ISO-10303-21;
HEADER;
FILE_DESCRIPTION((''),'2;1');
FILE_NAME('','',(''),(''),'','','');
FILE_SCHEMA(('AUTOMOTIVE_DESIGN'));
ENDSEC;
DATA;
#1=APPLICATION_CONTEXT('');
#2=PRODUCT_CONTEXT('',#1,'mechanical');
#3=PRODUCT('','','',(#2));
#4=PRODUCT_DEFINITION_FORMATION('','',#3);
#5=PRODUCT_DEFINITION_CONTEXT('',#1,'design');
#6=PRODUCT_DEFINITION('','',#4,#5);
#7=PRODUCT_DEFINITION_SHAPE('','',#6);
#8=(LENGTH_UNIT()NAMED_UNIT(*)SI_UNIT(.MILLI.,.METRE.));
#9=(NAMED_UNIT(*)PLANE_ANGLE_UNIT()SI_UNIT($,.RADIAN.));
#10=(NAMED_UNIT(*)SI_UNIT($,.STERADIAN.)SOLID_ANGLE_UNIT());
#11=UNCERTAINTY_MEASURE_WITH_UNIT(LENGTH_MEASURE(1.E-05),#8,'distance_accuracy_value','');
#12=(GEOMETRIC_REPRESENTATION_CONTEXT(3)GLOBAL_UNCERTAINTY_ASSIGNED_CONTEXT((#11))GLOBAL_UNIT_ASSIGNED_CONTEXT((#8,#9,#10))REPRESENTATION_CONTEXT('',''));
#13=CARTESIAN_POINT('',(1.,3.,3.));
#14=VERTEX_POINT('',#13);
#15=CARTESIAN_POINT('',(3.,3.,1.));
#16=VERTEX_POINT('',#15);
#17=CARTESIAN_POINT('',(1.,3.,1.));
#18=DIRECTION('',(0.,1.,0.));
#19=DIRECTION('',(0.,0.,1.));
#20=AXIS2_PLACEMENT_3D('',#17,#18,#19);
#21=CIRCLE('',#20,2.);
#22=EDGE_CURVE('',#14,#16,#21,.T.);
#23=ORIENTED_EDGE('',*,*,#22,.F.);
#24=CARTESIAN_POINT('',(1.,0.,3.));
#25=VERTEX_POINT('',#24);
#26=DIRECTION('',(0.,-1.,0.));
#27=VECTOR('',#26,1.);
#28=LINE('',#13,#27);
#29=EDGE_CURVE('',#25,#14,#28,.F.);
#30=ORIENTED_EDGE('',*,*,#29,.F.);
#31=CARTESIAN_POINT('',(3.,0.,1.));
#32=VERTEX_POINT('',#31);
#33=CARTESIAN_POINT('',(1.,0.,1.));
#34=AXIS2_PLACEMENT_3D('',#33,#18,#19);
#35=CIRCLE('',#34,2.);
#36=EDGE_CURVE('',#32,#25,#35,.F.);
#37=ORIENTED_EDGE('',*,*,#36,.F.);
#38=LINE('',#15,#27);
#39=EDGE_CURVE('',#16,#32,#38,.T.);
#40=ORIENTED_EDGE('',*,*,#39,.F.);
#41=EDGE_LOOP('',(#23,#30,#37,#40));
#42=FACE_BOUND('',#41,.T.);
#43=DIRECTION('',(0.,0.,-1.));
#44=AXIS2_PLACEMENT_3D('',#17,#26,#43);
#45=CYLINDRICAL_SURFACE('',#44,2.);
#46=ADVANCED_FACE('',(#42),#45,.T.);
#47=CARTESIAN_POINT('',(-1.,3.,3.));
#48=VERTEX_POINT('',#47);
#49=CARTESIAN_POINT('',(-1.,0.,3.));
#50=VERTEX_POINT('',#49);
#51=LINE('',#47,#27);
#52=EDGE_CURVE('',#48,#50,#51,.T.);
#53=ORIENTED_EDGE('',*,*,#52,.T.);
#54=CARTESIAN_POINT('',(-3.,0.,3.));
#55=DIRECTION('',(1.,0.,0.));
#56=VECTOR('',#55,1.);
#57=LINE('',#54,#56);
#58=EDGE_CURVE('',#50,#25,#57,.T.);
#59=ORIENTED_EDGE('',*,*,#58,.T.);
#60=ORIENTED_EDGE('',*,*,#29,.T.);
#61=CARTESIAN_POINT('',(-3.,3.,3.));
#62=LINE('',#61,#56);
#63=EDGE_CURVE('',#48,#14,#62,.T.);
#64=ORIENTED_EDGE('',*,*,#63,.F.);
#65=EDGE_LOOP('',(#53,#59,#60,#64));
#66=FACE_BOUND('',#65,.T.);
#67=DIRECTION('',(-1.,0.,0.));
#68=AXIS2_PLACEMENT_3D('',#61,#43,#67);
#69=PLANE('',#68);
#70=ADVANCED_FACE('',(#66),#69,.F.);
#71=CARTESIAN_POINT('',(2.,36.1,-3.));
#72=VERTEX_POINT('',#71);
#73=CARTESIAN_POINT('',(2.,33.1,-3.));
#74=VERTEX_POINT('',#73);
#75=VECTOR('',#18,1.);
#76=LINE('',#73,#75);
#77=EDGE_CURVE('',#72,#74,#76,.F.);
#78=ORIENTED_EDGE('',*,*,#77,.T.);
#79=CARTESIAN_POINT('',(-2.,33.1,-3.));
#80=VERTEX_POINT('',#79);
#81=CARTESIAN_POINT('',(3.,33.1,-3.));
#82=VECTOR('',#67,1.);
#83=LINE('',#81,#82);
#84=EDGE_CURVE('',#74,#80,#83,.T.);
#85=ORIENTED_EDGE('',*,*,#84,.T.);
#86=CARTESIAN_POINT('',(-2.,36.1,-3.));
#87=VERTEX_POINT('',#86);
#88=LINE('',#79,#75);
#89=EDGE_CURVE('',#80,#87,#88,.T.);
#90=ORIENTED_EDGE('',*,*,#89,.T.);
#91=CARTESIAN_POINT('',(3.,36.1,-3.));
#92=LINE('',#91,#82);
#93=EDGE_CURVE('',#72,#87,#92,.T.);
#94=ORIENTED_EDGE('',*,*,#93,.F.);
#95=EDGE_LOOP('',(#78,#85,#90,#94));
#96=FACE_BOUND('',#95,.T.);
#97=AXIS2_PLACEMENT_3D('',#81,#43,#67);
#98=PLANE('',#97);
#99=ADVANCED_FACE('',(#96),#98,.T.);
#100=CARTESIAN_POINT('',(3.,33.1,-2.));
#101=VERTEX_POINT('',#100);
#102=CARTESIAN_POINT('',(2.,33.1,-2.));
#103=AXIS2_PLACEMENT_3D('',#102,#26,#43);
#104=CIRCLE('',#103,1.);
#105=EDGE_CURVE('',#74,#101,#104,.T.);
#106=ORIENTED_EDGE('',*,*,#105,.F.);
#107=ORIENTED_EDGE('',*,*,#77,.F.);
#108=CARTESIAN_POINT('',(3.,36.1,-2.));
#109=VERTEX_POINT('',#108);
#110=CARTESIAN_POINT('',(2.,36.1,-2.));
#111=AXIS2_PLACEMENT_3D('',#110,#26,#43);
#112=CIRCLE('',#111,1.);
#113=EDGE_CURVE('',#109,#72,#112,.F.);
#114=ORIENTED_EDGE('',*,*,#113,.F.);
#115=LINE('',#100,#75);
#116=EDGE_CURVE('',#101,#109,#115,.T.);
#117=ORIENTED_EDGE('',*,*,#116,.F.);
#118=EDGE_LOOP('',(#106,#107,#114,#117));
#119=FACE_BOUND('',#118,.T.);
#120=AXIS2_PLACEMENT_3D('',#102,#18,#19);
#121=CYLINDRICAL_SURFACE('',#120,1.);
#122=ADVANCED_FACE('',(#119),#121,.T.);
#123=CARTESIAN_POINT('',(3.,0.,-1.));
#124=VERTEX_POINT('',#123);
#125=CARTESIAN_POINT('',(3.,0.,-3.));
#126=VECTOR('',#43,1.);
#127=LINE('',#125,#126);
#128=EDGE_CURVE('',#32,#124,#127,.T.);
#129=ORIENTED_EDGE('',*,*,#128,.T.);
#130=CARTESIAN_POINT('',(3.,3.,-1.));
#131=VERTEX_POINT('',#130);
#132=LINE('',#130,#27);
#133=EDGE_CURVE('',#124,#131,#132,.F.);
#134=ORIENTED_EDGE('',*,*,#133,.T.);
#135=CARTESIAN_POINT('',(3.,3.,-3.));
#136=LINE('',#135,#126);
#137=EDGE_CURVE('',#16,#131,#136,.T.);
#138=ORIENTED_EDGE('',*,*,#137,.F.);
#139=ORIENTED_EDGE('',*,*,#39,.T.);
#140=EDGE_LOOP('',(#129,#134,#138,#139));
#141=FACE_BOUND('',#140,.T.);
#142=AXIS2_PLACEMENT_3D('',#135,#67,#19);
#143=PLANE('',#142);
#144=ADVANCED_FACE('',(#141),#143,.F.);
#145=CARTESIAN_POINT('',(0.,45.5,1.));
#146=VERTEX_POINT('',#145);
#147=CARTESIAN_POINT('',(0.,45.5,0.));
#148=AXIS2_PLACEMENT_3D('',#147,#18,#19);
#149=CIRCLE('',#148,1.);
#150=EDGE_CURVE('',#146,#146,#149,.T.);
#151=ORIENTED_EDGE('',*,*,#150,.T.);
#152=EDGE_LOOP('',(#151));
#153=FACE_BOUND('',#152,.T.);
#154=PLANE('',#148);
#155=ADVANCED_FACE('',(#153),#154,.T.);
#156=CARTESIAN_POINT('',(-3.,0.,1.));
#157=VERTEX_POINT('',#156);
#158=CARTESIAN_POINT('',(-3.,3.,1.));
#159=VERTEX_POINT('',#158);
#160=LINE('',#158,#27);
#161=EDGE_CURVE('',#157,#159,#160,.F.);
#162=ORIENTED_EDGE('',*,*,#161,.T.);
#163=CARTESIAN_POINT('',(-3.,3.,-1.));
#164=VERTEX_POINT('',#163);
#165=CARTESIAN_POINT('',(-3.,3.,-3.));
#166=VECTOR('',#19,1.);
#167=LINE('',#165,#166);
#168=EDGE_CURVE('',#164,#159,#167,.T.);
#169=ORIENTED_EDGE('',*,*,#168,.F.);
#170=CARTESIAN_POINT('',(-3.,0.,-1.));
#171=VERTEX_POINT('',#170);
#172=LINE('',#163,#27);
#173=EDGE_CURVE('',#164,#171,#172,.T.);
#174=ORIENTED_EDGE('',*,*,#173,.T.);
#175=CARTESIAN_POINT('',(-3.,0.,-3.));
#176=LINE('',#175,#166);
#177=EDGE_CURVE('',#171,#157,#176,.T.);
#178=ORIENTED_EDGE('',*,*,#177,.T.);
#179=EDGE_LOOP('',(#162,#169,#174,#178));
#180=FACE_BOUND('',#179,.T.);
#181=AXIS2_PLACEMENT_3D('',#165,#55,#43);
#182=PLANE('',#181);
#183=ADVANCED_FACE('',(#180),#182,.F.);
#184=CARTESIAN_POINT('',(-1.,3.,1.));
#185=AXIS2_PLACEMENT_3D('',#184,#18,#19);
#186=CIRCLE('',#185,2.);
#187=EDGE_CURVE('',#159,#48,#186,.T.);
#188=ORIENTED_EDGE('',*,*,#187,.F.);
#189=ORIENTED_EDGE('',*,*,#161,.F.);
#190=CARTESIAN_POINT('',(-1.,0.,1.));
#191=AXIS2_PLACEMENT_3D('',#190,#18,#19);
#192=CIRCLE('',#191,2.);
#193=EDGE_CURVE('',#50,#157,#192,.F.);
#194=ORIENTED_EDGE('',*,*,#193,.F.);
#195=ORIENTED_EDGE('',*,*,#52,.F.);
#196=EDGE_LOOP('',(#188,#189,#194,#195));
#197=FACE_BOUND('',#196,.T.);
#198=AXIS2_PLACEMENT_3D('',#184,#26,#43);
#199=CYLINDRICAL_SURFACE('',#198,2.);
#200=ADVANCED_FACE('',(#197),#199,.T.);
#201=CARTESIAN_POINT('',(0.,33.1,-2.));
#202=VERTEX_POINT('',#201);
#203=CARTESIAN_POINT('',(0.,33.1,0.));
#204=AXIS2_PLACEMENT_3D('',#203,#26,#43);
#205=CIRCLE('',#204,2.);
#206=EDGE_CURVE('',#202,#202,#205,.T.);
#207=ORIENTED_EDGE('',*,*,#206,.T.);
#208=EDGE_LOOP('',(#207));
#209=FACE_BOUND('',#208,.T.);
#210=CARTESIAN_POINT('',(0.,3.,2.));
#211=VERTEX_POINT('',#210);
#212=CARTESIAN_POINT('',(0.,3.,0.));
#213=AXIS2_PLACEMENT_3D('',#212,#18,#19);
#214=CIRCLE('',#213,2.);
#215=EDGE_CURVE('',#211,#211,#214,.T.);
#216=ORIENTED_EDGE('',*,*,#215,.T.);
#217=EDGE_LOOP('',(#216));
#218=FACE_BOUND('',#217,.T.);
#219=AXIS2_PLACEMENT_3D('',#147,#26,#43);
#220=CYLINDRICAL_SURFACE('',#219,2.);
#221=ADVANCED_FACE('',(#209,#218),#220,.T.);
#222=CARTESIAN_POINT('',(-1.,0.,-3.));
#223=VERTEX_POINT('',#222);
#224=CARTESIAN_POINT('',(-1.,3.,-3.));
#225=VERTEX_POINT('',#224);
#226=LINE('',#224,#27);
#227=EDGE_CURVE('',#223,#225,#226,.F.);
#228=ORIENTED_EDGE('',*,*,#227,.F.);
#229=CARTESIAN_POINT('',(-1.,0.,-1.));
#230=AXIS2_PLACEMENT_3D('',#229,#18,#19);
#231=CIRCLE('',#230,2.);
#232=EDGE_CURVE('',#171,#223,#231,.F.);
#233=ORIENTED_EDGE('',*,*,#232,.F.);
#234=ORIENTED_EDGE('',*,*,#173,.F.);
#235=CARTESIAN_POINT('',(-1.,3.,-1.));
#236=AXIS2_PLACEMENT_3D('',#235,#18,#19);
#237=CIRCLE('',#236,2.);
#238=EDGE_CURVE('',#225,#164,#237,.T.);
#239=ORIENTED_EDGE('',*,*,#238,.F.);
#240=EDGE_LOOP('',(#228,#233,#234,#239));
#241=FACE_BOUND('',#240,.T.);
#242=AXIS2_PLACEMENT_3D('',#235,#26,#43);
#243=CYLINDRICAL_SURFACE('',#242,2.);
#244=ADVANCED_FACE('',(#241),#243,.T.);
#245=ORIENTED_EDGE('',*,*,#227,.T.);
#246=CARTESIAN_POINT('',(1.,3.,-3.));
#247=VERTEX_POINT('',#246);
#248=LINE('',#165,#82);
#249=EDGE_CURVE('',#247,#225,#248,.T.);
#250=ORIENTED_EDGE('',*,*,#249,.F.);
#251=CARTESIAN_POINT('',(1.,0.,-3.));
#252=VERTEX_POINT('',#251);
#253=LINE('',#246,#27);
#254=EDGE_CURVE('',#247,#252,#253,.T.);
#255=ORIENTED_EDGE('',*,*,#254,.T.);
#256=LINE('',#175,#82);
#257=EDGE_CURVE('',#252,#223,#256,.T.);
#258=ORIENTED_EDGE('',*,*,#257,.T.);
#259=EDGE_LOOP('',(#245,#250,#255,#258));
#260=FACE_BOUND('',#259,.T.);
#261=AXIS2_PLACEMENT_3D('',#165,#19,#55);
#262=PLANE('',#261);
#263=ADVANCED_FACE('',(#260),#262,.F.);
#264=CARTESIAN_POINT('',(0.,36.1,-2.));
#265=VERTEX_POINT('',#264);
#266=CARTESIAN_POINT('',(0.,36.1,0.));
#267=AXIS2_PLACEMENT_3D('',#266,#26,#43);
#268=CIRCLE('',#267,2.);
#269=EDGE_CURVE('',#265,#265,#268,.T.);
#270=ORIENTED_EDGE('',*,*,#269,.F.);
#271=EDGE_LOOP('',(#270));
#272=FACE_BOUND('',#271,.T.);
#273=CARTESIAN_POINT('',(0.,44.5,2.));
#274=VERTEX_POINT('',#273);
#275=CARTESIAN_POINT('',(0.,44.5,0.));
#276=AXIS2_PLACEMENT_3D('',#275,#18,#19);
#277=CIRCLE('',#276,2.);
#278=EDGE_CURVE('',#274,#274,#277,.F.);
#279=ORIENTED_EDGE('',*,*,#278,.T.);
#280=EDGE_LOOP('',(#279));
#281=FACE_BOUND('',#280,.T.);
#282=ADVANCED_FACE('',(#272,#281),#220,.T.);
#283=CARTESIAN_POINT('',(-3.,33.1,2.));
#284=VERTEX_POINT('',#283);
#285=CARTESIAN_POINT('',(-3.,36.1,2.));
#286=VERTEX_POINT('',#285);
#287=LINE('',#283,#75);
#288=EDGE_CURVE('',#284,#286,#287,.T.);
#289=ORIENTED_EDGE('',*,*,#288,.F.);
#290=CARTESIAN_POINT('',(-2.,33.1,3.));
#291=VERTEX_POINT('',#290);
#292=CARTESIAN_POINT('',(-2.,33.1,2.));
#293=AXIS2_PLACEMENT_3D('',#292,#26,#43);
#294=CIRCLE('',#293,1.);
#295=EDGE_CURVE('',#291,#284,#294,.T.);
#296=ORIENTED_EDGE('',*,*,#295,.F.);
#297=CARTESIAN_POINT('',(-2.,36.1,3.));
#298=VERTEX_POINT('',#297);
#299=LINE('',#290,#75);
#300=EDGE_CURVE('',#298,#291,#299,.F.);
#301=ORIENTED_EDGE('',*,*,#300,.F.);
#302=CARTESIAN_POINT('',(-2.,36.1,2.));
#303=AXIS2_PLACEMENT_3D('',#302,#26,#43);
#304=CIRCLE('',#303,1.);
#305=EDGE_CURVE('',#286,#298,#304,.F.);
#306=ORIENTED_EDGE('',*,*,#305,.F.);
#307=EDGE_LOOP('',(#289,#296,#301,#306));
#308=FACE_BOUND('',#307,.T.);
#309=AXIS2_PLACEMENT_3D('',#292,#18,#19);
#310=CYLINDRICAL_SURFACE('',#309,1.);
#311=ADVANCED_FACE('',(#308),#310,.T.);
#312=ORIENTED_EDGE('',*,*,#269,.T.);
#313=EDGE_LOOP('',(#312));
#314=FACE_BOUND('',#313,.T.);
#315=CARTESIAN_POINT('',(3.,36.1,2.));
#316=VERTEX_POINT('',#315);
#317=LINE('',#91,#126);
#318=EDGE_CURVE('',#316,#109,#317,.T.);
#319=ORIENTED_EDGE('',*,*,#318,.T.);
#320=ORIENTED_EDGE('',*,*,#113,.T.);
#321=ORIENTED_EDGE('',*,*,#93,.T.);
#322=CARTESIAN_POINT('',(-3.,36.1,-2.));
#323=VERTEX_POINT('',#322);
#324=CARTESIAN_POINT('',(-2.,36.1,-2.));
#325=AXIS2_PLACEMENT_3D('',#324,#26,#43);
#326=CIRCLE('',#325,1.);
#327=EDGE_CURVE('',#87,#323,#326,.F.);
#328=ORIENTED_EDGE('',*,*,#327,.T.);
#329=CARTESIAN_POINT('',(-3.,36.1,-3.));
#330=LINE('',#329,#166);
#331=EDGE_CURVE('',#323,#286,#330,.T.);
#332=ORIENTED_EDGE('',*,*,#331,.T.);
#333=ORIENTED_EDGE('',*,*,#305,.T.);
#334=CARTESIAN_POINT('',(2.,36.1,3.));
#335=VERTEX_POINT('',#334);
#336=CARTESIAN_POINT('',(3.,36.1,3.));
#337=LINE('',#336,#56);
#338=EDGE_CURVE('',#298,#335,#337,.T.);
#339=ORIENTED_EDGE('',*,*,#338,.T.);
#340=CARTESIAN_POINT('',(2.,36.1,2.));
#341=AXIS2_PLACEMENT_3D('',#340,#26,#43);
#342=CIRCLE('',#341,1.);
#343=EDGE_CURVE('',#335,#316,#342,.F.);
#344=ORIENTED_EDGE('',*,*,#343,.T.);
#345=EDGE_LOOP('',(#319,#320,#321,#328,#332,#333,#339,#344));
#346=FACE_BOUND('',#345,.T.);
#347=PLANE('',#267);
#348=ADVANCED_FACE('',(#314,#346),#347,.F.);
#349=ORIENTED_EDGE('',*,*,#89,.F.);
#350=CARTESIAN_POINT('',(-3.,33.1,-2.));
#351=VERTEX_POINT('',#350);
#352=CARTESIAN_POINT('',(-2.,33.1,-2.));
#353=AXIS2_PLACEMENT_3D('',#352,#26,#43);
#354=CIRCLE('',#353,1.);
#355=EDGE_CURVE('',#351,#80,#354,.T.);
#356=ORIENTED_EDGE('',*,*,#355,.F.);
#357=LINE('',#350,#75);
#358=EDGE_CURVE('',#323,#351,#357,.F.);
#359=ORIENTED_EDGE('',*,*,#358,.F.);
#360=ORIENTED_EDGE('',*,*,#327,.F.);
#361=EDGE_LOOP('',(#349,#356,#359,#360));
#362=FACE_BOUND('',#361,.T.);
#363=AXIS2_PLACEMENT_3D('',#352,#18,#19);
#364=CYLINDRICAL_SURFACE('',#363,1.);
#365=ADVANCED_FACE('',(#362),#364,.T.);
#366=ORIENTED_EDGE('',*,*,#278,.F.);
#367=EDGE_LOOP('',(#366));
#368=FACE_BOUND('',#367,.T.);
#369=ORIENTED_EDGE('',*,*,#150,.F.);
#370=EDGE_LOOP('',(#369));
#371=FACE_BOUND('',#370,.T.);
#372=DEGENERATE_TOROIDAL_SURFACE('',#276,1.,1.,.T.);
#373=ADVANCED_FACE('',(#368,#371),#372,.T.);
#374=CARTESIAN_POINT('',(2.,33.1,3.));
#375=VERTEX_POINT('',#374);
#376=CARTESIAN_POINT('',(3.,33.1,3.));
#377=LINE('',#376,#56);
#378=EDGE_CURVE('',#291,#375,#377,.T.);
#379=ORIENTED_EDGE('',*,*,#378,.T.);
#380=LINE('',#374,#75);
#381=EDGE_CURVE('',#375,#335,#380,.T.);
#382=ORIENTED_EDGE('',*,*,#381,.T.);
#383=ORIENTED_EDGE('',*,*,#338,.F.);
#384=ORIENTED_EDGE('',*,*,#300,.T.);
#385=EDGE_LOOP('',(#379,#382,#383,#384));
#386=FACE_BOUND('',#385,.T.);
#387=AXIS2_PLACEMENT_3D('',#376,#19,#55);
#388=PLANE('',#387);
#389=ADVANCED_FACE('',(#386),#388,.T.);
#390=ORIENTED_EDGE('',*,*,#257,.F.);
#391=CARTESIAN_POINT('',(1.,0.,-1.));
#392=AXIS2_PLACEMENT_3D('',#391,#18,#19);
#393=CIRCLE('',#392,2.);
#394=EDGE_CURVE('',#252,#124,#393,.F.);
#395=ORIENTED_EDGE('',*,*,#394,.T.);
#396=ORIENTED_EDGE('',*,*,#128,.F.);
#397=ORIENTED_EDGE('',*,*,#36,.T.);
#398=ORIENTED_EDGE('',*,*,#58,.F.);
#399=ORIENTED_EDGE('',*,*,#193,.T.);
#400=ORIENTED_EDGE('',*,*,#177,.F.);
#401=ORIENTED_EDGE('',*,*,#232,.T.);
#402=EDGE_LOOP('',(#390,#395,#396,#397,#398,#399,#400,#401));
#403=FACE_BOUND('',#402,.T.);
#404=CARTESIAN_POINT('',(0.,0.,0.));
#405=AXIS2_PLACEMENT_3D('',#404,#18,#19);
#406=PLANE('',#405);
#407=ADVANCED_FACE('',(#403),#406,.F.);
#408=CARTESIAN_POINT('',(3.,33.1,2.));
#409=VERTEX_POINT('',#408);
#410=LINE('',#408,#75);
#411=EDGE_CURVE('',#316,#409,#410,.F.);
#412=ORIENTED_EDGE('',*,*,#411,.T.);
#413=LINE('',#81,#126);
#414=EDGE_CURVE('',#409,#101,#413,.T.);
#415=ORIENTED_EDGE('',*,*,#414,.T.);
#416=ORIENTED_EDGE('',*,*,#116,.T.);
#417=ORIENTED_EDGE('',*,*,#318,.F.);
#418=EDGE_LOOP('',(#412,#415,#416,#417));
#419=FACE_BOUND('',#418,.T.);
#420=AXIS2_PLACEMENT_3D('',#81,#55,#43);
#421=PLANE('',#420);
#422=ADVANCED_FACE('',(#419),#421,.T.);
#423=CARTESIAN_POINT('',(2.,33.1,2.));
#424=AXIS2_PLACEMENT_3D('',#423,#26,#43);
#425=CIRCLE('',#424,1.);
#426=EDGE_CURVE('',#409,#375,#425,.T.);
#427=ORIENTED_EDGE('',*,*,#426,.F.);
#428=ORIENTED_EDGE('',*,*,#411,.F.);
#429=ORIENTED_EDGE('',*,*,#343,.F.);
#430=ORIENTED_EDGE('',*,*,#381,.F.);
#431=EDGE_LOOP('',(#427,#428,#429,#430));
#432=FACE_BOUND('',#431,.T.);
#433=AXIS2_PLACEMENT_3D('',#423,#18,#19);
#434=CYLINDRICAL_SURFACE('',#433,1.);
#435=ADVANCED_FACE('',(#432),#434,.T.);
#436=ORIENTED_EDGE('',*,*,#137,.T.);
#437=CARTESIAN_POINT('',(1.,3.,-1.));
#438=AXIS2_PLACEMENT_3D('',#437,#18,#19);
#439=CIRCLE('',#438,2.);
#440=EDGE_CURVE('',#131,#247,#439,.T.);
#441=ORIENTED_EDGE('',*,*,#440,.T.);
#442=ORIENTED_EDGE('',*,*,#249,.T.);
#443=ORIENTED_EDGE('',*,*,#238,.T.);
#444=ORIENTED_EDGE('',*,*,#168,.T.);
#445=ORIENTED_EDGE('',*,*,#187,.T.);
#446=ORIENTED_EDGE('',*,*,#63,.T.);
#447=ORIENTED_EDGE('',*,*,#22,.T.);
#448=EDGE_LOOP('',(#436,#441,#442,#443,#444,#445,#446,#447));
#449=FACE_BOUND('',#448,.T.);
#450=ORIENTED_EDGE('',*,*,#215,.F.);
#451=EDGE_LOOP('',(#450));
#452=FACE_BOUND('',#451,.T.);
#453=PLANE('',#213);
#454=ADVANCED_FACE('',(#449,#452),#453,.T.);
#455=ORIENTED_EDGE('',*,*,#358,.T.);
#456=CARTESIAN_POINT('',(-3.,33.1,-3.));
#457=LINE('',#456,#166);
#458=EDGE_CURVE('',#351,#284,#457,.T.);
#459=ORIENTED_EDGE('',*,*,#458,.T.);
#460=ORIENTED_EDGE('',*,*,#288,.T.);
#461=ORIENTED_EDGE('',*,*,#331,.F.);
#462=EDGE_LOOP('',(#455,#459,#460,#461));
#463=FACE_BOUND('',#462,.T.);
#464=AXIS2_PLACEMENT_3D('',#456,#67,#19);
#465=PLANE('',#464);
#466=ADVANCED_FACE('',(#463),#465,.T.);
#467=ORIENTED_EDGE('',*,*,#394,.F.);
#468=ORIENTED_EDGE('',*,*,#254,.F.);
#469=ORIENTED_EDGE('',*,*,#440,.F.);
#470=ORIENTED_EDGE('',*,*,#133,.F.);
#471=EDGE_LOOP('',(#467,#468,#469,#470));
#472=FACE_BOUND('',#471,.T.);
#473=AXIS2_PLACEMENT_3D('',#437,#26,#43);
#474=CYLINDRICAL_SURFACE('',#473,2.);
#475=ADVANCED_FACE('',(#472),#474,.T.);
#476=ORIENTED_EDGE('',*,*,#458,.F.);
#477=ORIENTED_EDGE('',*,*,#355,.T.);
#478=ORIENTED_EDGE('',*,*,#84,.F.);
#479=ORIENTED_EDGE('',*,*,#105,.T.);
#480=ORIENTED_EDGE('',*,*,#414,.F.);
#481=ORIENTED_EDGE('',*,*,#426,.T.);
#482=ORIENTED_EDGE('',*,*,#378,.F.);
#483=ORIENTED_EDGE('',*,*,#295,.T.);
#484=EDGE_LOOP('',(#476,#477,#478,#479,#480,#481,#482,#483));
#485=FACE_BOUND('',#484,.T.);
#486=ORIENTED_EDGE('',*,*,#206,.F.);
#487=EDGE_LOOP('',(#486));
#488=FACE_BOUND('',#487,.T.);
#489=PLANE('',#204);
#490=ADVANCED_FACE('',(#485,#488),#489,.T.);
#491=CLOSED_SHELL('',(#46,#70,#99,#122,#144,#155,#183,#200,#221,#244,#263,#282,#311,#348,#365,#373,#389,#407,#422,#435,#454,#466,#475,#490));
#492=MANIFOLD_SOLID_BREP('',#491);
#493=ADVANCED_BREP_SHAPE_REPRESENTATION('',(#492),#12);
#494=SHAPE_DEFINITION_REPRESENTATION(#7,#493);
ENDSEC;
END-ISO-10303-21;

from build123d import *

# Parameters (mm, degrees)
SKETCH2_W           = 6
SKETCH2_H           = 6
BOSS_EXTRUDE1_DEPTH = 3
FILLET7_R           = 2
SKETCH3_R           = 2
BOSS_EXTRUDE2_DEPTH = 42.5
FILLET9_R           = 1
BOSS_EXTRUDE3_START = -9.4
SKETCH4_W           = 6
SKETCH4_H           = 6
BOSS_EXTRUDE3_DEPTH = 3
FILLET10_R          = 1


with BuildPart() as part:
    # Sketch2 → Boss-Extrude1 (new body)
    with BuildSketch(Plane(origin=(0, 0, 0), x_dir=(1, 0, 0), z_dir=(0, 1, 0))):
        Rectangle(SKETCH2_W, SKETCH2_H)
    extrude(amount=BOSS_EXTRUDE1_DEPTH)

    # Fillet7
    fillet7_edges = [part.edges().sort_by_distance(p)[0] for p in [
        (3, 1.5, 3),
        (-3, 1.5, 3),
        (-3, 1.5, -3),
        (3, 1.5, -3),
    ]]
    fillet(fillet7_edges, radius=FILLET7_R)

    # Sketch3 → Boss-Extrude2 (add)
    with BuildSketch(Plane(origin=(0, 3, 0), x_dir=(1, 0, 0), z_dir=(0, 1, 0))):
        Circle(SKETCH3_R)
    extrude(amount=BOSS_EXTRUDE2_DEPTH)

    # Fillet9
    fillet9_edges = [part.edges().sort_by_distance(p)[0] for p in [
        (-2, 45.5, 0),
    ]]
    fillet(fillet9_edges, radius=FILLET9_R)

    # Sketch4 → Boss-Extrude3 (add)
    with BuildSketch(Plane(origin=(0, 45.5, 0), x_dir=(1, 0, 0), z_dir=(0, 1, 0)).offset(BOSS_EXTRUDE3_START)):
        Rectangle(SKETCH4_W, SKETCH4_H)
    extrude(amount=-BOSS_EXTRUDE3_DEPTH)

    # Fillet10
    fillet10_edges = [part.edges().sort_by_distance(p)[0] for p in [
        (-3, 34.6, 3),
        (-3, 34.6, -3),
        (3, 34.6, -3),
        (3, 34.6, 3),
    ]]
    fillet(fillet10_edges, radius=FILLET10_R)


solid = part.part
